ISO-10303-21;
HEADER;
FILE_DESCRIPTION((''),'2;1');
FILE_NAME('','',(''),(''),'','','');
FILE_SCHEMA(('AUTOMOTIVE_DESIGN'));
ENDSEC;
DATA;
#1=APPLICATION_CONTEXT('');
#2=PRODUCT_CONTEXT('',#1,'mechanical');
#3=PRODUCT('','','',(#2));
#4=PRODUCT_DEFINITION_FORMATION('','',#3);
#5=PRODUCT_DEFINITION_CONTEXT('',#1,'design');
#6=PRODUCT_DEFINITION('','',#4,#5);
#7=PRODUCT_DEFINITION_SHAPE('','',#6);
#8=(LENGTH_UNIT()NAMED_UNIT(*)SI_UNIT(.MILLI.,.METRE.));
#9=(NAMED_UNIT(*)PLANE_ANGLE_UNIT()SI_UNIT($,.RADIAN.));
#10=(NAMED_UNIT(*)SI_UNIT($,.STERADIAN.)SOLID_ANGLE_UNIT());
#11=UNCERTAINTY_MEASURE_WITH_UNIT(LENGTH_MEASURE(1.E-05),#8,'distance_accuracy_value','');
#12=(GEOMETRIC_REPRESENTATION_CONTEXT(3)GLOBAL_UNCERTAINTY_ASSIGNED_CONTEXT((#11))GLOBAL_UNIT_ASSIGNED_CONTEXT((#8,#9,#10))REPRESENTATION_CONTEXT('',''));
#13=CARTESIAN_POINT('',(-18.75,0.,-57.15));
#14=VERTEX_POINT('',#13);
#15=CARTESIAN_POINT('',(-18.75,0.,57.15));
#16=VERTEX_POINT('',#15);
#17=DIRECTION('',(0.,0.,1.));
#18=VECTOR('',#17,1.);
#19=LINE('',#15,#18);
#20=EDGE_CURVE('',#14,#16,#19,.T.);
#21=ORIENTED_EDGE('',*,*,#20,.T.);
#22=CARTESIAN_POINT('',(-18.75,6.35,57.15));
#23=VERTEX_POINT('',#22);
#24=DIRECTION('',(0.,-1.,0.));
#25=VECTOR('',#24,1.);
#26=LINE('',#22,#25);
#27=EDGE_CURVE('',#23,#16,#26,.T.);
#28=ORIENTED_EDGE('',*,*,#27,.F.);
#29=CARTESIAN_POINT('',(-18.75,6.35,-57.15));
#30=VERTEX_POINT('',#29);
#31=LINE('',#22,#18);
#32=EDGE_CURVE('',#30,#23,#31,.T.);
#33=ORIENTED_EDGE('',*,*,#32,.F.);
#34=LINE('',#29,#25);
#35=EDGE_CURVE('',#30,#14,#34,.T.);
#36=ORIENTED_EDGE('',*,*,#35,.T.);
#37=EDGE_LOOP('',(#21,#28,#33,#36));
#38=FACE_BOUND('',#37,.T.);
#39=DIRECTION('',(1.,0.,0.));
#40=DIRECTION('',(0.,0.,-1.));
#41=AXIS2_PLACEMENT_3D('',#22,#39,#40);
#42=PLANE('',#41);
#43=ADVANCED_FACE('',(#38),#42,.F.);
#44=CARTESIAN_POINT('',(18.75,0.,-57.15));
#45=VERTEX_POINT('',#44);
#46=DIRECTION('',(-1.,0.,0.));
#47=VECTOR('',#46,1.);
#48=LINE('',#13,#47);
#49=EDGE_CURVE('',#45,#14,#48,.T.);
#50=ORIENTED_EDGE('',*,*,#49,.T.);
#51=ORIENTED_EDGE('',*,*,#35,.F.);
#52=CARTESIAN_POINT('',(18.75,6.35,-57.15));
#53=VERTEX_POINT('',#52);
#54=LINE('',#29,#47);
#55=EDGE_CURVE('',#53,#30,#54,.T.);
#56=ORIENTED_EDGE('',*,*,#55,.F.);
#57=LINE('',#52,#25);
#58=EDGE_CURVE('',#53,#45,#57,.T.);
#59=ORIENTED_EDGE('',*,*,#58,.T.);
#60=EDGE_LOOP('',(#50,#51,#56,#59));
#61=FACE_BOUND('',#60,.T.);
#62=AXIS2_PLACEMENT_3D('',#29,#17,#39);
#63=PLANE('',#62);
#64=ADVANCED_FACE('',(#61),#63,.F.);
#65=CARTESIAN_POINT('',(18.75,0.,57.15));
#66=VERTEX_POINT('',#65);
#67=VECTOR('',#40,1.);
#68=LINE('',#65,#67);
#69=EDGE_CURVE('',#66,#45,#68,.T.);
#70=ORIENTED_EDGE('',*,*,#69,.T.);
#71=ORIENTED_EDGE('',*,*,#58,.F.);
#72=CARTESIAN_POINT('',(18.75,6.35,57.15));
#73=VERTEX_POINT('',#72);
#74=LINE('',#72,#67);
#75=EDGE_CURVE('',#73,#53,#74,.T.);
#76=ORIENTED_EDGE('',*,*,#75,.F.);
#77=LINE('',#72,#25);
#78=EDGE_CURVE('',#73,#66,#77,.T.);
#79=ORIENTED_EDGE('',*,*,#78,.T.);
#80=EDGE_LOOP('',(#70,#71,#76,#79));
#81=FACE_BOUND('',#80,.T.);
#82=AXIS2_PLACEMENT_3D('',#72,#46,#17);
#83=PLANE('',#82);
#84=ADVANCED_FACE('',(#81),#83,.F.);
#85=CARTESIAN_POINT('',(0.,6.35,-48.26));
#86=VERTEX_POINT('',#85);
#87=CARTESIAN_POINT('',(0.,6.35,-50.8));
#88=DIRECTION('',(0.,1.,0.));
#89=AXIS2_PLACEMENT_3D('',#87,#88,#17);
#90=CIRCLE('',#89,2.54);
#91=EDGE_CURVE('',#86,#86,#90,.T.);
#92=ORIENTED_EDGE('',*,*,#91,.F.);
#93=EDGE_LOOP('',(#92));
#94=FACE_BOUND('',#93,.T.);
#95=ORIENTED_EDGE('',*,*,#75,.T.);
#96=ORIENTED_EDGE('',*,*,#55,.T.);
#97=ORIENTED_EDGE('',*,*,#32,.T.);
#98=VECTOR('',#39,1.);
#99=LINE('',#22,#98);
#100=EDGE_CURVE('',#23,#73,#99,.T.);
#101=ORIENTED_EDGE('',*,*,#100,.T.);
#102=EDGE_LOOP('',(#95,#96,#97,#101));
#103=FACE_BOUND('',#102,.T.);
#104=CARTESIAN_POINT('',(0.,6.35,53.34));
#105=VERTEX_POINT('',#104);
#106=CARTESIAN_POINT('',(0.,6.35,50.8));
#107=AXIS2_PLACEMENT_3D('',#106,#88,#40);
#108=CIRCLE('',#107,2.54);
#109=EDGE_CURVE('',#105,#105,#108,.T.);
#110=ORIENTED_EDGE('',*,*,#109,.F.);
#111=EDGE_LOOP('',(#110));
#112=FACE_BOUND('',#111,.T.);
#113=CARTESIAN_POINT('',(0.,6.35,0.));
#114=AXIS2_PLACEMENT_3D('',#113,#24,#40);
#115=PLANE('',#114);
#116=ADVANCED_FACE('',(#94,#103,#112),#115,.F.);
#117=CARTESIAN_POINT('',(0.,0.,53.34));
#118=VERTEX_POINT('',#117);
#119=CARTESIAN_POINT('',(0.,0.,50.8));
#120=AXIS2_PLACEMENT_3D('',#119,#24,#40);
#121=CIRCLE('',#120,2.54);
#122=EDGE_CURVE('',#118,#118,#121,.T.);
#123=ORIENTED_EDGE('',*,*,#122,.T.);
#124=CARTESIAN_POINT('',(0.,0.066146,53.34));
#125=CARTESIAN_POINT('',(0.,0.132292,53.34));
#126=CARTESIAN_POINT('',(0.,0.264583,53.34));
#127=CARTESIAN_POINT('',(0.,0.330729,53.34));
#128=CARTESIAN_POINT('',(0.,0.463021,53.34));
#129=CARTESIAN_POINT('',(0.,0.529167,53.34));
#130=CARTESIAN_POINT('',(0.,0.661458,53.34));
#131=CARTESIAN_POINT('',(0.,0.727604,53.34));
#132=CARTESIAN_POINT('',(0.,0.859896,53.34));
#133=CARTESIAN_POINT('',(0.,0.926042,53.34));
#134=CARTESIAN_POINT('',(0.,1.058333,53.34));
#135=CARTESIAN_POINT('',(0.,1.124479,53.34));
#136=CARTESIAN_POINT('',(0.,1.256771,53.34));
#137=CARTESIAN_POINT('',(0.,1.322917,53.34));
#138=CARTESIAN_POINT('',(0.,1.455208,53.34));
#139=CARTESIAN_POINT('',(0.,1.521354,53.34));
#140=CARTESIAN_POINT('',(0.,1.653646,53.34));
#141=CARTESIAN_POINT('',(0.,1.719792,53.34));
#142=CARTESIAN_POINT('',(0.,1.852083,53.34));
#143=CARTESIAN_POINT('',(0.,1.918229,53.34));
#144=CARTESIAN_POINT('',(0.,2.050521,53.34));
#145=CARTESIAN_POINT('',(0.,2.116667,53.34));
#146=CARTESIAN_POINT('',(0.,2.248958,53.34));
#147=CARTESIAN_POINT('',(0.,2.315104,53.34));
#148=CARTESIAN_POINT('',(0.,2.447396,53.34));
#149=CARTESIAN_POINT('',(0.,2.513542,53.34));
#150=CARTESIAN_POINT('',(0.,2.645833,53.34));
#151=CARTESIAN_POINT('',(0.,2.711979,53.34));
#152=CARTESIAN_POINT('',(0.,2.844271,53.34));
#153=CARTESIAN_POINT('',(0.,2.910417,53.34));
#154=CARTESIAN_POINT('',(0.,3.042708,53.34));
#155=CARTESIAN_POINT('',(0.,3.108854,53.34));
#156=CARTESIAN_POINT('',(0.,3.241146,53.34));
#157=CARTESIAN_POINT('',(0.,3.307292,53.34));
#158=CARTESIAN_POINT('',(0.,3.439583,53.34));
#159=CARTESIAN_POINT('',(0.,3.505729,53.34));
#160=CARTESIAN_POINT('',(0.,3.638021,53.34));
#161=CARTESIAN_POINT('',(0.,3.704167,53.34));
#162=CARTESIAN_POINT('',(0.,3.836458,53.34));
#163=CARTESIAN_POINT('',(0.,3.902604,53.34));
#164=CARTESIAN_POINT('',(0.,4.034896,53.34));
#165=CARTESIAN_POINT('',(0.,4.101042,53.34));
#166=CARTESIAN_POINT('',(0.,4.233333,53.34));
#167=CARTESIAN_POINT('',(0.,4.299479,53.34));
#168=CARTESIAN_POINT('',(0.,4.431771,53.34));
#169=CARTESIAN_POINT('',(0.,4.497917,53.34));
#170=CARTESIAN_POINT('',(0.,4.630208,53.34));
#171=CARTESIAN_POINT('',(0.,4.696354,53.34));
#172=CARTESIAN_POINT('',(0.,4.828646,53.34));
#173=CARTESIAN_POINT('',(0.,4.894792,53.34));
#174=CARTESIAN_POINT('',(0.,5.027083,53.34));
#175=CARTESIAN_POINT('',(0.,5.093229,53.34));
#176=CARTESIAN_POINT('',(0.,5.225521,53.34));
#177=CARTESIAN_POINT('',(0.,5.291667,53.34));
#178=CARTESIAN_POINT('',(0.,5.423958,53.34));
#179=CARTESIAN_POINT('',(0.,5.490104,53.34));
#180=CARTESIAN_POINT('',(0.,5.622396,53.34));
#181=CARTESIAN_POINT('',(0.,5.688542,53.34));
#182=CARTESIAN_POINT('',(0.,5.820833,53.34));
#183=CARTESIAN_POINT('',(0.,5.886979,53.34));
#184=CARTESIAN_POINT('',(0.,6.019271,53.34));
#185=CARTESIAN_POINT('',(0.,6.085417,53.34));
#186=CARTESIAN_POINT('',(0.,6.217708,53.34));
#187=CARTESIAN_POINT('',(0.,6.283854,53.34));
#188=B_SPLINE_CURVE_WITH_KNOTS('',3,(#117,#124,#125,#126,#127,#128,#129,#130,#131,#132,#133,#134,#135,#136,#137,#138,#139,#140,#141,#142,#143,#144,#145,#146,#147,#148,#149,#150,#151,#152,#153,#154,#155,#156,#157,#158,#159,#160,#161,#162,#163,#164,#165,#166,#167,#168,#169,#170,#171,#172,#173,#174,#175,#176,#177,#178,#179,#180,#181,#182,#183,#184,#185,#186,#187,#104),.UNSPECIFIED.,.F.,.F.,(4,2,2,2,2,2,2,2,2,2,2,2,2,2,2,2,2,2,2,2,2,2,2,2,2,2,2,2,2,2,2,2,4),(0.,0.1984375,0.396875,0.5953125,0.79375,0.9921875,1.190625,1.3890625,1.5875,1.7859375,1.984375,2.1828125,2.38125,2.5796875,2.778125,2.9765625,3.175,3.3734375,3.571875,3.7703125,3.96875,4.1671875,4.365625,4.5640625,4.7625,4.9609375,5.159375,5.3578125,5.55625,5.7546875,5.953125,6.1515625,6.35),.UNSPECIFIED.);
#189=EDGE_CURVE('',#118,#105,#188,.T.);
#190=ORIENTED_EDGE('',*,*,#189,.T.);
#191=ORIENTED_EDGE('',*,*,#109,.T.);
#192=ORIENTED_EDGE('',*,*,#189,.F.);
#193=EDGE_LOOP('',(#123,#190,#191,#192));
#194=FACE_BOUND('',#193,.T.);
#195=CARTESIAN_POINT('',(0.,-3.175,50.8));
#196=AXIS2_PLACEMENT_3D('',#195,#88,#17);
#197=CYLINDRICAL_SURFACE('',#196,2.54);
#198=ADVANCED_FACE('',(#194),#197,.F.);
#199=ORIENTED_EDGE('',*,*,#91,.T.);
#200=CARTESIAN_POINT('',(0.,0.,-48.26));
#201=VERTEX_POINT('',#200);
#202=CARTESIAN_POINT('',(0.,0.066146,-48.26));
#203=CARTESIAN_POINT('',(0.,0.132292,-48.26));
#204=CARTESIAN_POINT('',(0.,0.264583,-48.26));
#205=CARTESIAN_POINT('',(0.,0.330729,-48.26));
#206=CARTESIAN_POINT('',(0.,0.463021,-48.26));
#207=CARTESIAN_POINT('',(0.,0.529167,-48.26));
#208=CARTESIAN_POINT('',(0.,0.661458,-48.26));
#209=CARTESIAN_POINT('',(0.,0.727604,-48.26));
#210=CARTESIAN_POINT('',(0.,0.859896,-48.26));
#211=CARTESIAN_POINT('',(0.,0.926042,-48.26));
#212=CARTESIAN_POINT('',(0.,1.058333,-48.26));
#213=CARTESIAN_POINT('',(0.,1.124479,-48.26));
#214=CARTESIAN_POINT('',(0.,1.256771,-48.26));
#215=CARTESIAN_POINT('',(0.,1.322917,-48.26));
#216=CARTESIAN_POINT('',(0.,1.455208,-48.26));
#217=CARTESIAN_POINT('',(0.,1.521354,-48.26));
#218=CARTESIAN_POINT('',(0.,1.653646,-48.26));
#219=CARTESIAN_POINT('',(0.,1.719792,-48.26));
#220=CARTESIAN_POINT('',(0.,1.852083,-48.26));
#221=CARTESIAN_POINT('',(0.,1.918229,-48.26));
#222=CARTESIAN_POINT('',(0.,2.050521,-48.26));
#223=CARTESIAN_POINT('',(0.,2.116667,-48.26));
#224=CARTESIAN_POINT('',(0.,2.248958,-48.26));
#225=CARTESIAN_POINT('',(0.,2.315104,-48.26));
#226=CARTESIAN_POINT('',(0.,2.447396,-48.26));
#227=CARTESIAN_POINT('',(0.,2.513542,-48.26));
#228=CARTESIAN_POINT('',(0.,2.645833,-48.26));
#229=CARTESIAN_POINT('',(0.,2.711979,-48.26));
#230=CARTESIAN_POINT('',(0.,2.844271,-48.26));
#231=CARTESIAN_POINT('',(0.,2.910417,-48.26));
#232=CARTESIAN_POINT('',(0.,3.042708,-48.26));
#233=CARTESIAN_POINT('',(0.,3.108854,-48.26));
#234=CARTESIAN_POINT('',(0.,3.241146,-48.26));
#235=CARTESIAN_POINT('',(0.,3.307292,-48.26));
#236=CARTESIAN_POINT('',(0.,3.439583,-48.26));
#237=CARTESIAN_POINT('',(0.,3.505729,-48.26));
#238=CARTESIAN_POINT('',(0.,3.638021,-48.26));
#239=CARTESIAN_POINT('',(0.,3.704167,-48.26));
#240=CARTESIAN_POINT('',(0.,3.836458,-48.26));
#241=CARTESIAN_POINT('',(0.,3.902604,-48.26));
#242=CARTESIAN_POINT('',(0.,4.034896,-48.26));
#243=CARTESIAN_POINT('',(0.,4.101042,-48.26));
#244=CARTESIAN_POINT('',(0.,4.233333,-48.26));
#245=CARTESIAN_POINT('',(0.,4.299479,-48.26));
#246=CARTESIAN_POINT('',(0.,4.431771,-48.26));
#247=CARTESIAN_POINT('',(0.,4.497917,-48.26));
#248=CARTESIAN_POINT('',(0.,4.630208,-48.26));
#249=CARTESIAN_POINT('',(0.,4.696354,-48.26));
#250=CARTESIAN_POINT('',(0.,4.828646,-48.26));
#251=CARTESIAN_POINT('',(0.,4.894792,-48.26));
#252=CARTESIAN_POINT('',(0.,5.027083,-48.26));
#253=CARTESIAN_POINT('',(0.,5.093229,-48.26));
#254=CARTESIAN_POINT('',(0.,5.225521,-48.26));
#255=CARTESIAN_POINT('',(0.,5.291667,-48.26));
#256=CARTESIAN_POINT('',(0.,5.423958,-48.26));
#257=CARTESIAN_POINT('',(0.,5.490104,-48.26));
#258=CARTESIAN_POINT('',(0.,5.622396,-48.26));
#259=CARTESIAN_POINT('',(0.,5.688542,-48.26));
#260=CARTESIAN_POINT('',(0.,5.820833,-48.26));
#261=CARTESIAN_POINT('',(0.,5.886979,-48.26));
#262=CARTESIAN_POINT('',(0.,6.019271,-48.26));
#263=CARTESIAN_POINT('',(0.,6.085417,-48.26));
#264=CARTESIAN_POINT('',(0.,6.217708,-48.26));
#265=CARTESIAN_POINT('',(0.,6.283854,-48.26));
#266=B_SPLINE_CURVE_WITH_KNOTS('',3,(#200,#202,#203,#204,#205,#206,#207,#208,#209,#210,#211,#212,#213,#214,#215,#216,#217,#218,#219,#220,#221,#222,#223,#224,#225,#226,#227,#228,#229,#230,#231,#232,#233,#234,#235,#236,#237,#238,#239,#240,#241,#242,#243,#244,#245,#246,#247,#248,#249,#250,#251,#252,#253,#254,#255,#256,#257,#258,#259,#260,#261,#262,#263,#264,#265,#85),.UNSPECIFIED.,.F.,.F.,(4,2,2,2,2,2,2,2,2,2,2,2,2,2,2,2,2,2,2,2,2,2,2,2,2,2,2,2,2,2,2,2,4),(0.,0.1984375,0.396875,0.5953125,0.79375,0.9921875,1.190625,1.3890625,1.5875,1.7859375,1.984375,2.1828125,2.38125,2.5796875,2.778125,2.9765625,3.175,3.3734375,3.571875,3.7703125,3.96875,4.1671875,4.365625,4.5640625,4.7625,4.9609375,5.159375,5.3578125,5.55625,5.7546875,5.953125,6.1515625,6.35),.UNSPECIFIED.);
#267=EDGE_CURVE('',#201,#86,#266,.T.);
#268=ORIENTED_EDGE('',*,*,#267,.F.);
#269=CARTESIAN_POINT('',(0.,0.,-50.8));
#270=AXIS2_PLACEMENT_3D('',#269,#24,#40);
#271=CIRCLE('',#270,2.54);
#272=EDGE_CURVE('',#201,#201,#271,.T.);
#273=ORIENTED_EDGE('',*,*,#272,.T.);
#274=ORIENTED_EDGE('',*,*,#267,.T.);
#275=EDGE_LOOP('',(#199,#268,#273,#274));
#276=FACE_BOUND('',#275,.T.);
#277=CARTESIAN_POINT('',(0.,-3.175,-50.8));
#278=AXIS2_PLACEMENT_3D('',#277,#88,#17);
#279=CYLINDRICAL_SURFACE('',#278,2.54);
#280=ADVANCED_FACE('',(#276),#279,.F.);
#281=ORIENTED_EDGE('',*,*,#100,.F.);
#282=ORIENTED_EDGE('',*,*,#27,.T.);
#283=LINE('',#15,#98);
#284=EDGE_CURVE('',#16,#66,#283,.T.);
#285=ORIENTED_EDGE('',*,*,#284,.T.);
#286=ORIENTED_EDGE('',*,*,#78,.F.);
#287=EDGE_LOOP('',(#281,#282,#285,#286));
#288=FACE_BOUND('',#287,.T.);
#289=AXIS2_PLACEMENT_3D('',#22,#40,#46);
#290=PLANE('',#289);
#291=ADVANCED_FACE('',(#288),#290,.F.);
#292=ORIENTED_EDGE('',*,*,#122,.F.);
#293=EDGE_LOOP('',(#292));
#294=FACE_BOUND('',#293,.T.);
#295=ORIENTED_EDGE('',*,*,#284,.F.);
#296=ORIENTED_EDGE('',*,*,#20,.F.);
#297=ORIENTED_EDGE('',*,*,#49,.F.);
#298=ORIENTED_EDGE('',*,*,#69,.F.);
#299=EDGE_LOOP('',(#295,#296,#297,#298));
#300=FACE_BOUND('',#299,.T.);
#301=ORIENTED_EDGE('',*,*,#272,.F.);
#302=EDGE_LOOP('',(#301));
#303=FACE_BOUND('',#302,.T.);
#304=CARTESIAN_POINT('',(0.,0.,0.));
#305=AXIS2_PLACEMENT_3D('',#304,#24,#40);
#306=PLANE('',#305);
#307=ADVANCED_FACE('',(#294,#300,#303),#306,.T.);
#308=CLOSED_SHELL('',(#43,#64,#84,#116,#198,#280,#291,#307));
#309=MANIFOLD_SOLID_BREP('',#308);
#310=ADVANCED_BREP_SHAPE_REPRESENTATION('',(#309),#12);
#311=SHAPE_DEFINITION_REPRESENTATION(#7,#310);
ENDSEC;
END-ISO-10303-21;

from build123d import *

# Parameters (mm, degrees)
SKETCH1_W           = 37.5
SKETCH1_H           = 114.3
BOSS_EXTRUDE1_DEPTH = 6.35
SKETCH3_R           = 2.54
CUT_EXTRUDE2_DEPTH  = 9.525


with BuildPart() as part:
    # Sketch1 → Boss-Extrude1 (new body)
    with BuildSketch(Plane(origin=(0, 0, 0), x_dir=(1, 0, 0), z_dir=(0, 1, 0))):
        Rectangle(SKETCH1_W, SKETCH1_H)
    extrude(amount=BOSS_EXTRUDE1_DEPTH)

    # Sketch3 → Cut-Extrude2 (cut)
    with BuildSketch(Plane(origin=(0, 6.35, 0), x_dir=(1, 0, 0), z_dir=(0, 1, 0))):
        with Locations(Location((0, 50.8, 0), (0, 0, 270))):
            Circle(SKETCH3_R)
        with Locations(Location((0, -50.8, 0), (0, 0, 270))):
            Circle(SKETCH3_R)
    extrude(amount=-CUT_EXTRUDE2_DEPTH, mode=Mode.SUBTRACT)


solid = part.part
